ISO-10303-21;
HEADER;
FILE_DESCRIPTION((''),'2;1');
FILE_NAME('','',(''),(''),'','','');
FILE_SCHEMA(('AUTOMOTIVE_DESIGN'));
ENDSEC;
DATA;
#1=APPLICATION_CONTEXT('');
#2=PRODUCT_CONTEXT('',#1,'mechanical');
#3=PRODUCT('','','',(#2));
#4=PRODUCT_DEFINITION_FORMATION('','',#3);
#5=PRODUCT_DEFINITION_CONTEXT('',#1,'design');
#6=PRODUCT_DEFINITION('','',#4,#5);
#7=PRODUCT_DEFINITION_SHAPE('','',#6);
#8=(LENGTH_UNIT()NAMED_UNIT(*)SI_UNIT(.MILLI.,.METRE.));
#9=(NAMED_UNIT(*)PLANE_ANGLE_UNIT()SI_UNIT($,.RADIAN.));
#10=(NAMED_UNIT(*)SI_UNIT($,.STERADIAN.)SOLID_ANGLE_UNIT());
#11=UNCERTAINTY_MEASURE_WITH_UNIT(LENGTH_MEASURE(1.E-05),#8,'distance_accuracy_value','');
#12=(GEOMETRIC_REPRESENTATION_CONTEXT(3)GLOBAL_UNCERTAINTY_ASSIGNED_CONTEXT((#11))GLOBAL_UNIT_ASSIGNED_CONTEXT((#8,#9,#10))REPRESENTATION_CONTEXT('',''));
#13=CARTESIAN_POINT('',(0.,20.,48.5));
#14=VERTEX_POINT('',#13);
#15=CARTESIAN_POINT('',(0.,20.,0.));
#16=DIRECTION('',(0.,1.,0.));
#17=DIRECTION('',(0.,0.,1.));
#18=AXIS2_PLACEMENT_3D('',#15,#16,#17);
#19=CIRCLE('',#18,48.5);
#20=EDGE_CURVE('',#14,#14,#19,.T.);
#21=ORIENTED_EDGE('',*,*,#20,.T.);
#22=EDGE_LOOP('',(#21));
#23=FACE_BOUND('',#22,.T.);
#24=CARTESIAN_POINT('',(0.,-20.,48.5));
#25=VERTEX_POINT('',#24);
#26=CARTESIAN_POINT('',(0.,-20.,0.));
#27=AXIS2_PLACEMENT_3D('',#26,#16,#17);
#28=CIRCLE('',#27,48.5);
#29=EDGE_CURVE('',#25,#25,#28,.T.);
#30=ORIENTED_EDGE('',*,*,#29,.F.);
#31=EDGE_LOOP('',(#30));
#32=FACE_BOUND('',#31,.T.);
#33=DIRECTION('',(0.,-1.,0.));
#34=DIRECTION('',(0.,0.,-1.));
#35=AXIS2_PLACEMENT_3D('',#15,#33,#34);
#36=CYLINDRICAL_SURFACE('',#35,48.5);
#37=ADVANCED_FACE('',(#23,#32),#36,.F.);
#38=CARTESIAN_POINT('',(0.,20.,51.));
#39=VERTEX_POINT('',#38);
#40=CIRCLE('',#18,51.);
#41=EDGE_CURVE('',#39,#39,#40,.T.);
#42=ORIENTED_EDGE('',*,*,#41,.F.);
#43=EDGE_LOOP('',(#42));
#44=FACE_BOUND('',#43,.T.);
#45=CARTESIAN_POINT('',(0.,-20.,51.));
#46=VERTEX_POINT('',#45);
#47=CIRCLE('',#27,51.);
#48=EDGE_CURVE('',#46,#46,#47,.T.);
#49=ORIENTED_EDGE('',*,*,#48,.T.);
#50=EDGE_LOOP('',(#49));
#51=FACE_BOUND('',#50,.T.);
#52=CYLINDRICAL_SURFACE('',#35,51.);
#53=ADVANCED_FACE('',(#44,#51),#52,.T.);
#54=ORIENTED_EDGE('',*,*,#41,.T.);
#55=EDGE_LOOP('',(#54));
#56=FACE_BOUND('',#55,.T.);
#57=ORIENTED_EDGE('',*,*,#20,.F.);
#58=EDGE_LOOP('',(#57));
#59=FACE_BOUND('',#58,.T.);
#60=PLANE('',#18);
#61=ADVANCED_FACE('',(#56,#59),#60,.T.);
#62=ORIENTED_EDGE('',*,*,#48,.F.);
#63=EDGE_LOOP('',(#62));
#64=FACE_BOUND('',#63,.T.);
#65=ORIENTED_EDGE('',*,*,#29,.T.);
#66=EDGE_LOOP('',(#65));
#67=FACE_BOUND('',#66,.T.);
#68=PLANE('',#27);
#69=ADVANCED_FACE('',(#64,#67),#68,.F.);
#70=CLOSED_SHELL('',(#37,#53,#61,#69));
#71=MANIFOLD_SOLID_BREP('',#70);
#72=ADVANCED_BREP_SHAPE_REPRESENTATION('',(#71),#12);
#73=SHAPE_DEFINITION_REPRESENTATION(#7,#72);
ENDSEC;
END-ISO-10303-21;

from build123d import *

# Parameters (mm, degrees)
SKETCH_1_R      = 51
SKETCH_1_R_2    = 48.5
EXTRUDE_1_DEPTH = 20


with BuildPart() as part:
    # 草图1 → 凸台-拉伸1 (new, symmetric)
    with BuildSketch(Plane(origin=(0, 0, 0), x_dir=(1, 0, 0), z_dir=(0, 1, 0))):
        with Locations(Location((0, 0, 0), (0, 0, 270))):
            Circle(SKETCH_1_R)
        with Locations(Location((0, 0, 0), (0, 0, 270))):
            Circle(SKETCH_1_R_2, mode=Mode.SUBTRACT)
    extrude(amount=EXTRUDE_1_DEPTH, both=True)


solid = part.part
